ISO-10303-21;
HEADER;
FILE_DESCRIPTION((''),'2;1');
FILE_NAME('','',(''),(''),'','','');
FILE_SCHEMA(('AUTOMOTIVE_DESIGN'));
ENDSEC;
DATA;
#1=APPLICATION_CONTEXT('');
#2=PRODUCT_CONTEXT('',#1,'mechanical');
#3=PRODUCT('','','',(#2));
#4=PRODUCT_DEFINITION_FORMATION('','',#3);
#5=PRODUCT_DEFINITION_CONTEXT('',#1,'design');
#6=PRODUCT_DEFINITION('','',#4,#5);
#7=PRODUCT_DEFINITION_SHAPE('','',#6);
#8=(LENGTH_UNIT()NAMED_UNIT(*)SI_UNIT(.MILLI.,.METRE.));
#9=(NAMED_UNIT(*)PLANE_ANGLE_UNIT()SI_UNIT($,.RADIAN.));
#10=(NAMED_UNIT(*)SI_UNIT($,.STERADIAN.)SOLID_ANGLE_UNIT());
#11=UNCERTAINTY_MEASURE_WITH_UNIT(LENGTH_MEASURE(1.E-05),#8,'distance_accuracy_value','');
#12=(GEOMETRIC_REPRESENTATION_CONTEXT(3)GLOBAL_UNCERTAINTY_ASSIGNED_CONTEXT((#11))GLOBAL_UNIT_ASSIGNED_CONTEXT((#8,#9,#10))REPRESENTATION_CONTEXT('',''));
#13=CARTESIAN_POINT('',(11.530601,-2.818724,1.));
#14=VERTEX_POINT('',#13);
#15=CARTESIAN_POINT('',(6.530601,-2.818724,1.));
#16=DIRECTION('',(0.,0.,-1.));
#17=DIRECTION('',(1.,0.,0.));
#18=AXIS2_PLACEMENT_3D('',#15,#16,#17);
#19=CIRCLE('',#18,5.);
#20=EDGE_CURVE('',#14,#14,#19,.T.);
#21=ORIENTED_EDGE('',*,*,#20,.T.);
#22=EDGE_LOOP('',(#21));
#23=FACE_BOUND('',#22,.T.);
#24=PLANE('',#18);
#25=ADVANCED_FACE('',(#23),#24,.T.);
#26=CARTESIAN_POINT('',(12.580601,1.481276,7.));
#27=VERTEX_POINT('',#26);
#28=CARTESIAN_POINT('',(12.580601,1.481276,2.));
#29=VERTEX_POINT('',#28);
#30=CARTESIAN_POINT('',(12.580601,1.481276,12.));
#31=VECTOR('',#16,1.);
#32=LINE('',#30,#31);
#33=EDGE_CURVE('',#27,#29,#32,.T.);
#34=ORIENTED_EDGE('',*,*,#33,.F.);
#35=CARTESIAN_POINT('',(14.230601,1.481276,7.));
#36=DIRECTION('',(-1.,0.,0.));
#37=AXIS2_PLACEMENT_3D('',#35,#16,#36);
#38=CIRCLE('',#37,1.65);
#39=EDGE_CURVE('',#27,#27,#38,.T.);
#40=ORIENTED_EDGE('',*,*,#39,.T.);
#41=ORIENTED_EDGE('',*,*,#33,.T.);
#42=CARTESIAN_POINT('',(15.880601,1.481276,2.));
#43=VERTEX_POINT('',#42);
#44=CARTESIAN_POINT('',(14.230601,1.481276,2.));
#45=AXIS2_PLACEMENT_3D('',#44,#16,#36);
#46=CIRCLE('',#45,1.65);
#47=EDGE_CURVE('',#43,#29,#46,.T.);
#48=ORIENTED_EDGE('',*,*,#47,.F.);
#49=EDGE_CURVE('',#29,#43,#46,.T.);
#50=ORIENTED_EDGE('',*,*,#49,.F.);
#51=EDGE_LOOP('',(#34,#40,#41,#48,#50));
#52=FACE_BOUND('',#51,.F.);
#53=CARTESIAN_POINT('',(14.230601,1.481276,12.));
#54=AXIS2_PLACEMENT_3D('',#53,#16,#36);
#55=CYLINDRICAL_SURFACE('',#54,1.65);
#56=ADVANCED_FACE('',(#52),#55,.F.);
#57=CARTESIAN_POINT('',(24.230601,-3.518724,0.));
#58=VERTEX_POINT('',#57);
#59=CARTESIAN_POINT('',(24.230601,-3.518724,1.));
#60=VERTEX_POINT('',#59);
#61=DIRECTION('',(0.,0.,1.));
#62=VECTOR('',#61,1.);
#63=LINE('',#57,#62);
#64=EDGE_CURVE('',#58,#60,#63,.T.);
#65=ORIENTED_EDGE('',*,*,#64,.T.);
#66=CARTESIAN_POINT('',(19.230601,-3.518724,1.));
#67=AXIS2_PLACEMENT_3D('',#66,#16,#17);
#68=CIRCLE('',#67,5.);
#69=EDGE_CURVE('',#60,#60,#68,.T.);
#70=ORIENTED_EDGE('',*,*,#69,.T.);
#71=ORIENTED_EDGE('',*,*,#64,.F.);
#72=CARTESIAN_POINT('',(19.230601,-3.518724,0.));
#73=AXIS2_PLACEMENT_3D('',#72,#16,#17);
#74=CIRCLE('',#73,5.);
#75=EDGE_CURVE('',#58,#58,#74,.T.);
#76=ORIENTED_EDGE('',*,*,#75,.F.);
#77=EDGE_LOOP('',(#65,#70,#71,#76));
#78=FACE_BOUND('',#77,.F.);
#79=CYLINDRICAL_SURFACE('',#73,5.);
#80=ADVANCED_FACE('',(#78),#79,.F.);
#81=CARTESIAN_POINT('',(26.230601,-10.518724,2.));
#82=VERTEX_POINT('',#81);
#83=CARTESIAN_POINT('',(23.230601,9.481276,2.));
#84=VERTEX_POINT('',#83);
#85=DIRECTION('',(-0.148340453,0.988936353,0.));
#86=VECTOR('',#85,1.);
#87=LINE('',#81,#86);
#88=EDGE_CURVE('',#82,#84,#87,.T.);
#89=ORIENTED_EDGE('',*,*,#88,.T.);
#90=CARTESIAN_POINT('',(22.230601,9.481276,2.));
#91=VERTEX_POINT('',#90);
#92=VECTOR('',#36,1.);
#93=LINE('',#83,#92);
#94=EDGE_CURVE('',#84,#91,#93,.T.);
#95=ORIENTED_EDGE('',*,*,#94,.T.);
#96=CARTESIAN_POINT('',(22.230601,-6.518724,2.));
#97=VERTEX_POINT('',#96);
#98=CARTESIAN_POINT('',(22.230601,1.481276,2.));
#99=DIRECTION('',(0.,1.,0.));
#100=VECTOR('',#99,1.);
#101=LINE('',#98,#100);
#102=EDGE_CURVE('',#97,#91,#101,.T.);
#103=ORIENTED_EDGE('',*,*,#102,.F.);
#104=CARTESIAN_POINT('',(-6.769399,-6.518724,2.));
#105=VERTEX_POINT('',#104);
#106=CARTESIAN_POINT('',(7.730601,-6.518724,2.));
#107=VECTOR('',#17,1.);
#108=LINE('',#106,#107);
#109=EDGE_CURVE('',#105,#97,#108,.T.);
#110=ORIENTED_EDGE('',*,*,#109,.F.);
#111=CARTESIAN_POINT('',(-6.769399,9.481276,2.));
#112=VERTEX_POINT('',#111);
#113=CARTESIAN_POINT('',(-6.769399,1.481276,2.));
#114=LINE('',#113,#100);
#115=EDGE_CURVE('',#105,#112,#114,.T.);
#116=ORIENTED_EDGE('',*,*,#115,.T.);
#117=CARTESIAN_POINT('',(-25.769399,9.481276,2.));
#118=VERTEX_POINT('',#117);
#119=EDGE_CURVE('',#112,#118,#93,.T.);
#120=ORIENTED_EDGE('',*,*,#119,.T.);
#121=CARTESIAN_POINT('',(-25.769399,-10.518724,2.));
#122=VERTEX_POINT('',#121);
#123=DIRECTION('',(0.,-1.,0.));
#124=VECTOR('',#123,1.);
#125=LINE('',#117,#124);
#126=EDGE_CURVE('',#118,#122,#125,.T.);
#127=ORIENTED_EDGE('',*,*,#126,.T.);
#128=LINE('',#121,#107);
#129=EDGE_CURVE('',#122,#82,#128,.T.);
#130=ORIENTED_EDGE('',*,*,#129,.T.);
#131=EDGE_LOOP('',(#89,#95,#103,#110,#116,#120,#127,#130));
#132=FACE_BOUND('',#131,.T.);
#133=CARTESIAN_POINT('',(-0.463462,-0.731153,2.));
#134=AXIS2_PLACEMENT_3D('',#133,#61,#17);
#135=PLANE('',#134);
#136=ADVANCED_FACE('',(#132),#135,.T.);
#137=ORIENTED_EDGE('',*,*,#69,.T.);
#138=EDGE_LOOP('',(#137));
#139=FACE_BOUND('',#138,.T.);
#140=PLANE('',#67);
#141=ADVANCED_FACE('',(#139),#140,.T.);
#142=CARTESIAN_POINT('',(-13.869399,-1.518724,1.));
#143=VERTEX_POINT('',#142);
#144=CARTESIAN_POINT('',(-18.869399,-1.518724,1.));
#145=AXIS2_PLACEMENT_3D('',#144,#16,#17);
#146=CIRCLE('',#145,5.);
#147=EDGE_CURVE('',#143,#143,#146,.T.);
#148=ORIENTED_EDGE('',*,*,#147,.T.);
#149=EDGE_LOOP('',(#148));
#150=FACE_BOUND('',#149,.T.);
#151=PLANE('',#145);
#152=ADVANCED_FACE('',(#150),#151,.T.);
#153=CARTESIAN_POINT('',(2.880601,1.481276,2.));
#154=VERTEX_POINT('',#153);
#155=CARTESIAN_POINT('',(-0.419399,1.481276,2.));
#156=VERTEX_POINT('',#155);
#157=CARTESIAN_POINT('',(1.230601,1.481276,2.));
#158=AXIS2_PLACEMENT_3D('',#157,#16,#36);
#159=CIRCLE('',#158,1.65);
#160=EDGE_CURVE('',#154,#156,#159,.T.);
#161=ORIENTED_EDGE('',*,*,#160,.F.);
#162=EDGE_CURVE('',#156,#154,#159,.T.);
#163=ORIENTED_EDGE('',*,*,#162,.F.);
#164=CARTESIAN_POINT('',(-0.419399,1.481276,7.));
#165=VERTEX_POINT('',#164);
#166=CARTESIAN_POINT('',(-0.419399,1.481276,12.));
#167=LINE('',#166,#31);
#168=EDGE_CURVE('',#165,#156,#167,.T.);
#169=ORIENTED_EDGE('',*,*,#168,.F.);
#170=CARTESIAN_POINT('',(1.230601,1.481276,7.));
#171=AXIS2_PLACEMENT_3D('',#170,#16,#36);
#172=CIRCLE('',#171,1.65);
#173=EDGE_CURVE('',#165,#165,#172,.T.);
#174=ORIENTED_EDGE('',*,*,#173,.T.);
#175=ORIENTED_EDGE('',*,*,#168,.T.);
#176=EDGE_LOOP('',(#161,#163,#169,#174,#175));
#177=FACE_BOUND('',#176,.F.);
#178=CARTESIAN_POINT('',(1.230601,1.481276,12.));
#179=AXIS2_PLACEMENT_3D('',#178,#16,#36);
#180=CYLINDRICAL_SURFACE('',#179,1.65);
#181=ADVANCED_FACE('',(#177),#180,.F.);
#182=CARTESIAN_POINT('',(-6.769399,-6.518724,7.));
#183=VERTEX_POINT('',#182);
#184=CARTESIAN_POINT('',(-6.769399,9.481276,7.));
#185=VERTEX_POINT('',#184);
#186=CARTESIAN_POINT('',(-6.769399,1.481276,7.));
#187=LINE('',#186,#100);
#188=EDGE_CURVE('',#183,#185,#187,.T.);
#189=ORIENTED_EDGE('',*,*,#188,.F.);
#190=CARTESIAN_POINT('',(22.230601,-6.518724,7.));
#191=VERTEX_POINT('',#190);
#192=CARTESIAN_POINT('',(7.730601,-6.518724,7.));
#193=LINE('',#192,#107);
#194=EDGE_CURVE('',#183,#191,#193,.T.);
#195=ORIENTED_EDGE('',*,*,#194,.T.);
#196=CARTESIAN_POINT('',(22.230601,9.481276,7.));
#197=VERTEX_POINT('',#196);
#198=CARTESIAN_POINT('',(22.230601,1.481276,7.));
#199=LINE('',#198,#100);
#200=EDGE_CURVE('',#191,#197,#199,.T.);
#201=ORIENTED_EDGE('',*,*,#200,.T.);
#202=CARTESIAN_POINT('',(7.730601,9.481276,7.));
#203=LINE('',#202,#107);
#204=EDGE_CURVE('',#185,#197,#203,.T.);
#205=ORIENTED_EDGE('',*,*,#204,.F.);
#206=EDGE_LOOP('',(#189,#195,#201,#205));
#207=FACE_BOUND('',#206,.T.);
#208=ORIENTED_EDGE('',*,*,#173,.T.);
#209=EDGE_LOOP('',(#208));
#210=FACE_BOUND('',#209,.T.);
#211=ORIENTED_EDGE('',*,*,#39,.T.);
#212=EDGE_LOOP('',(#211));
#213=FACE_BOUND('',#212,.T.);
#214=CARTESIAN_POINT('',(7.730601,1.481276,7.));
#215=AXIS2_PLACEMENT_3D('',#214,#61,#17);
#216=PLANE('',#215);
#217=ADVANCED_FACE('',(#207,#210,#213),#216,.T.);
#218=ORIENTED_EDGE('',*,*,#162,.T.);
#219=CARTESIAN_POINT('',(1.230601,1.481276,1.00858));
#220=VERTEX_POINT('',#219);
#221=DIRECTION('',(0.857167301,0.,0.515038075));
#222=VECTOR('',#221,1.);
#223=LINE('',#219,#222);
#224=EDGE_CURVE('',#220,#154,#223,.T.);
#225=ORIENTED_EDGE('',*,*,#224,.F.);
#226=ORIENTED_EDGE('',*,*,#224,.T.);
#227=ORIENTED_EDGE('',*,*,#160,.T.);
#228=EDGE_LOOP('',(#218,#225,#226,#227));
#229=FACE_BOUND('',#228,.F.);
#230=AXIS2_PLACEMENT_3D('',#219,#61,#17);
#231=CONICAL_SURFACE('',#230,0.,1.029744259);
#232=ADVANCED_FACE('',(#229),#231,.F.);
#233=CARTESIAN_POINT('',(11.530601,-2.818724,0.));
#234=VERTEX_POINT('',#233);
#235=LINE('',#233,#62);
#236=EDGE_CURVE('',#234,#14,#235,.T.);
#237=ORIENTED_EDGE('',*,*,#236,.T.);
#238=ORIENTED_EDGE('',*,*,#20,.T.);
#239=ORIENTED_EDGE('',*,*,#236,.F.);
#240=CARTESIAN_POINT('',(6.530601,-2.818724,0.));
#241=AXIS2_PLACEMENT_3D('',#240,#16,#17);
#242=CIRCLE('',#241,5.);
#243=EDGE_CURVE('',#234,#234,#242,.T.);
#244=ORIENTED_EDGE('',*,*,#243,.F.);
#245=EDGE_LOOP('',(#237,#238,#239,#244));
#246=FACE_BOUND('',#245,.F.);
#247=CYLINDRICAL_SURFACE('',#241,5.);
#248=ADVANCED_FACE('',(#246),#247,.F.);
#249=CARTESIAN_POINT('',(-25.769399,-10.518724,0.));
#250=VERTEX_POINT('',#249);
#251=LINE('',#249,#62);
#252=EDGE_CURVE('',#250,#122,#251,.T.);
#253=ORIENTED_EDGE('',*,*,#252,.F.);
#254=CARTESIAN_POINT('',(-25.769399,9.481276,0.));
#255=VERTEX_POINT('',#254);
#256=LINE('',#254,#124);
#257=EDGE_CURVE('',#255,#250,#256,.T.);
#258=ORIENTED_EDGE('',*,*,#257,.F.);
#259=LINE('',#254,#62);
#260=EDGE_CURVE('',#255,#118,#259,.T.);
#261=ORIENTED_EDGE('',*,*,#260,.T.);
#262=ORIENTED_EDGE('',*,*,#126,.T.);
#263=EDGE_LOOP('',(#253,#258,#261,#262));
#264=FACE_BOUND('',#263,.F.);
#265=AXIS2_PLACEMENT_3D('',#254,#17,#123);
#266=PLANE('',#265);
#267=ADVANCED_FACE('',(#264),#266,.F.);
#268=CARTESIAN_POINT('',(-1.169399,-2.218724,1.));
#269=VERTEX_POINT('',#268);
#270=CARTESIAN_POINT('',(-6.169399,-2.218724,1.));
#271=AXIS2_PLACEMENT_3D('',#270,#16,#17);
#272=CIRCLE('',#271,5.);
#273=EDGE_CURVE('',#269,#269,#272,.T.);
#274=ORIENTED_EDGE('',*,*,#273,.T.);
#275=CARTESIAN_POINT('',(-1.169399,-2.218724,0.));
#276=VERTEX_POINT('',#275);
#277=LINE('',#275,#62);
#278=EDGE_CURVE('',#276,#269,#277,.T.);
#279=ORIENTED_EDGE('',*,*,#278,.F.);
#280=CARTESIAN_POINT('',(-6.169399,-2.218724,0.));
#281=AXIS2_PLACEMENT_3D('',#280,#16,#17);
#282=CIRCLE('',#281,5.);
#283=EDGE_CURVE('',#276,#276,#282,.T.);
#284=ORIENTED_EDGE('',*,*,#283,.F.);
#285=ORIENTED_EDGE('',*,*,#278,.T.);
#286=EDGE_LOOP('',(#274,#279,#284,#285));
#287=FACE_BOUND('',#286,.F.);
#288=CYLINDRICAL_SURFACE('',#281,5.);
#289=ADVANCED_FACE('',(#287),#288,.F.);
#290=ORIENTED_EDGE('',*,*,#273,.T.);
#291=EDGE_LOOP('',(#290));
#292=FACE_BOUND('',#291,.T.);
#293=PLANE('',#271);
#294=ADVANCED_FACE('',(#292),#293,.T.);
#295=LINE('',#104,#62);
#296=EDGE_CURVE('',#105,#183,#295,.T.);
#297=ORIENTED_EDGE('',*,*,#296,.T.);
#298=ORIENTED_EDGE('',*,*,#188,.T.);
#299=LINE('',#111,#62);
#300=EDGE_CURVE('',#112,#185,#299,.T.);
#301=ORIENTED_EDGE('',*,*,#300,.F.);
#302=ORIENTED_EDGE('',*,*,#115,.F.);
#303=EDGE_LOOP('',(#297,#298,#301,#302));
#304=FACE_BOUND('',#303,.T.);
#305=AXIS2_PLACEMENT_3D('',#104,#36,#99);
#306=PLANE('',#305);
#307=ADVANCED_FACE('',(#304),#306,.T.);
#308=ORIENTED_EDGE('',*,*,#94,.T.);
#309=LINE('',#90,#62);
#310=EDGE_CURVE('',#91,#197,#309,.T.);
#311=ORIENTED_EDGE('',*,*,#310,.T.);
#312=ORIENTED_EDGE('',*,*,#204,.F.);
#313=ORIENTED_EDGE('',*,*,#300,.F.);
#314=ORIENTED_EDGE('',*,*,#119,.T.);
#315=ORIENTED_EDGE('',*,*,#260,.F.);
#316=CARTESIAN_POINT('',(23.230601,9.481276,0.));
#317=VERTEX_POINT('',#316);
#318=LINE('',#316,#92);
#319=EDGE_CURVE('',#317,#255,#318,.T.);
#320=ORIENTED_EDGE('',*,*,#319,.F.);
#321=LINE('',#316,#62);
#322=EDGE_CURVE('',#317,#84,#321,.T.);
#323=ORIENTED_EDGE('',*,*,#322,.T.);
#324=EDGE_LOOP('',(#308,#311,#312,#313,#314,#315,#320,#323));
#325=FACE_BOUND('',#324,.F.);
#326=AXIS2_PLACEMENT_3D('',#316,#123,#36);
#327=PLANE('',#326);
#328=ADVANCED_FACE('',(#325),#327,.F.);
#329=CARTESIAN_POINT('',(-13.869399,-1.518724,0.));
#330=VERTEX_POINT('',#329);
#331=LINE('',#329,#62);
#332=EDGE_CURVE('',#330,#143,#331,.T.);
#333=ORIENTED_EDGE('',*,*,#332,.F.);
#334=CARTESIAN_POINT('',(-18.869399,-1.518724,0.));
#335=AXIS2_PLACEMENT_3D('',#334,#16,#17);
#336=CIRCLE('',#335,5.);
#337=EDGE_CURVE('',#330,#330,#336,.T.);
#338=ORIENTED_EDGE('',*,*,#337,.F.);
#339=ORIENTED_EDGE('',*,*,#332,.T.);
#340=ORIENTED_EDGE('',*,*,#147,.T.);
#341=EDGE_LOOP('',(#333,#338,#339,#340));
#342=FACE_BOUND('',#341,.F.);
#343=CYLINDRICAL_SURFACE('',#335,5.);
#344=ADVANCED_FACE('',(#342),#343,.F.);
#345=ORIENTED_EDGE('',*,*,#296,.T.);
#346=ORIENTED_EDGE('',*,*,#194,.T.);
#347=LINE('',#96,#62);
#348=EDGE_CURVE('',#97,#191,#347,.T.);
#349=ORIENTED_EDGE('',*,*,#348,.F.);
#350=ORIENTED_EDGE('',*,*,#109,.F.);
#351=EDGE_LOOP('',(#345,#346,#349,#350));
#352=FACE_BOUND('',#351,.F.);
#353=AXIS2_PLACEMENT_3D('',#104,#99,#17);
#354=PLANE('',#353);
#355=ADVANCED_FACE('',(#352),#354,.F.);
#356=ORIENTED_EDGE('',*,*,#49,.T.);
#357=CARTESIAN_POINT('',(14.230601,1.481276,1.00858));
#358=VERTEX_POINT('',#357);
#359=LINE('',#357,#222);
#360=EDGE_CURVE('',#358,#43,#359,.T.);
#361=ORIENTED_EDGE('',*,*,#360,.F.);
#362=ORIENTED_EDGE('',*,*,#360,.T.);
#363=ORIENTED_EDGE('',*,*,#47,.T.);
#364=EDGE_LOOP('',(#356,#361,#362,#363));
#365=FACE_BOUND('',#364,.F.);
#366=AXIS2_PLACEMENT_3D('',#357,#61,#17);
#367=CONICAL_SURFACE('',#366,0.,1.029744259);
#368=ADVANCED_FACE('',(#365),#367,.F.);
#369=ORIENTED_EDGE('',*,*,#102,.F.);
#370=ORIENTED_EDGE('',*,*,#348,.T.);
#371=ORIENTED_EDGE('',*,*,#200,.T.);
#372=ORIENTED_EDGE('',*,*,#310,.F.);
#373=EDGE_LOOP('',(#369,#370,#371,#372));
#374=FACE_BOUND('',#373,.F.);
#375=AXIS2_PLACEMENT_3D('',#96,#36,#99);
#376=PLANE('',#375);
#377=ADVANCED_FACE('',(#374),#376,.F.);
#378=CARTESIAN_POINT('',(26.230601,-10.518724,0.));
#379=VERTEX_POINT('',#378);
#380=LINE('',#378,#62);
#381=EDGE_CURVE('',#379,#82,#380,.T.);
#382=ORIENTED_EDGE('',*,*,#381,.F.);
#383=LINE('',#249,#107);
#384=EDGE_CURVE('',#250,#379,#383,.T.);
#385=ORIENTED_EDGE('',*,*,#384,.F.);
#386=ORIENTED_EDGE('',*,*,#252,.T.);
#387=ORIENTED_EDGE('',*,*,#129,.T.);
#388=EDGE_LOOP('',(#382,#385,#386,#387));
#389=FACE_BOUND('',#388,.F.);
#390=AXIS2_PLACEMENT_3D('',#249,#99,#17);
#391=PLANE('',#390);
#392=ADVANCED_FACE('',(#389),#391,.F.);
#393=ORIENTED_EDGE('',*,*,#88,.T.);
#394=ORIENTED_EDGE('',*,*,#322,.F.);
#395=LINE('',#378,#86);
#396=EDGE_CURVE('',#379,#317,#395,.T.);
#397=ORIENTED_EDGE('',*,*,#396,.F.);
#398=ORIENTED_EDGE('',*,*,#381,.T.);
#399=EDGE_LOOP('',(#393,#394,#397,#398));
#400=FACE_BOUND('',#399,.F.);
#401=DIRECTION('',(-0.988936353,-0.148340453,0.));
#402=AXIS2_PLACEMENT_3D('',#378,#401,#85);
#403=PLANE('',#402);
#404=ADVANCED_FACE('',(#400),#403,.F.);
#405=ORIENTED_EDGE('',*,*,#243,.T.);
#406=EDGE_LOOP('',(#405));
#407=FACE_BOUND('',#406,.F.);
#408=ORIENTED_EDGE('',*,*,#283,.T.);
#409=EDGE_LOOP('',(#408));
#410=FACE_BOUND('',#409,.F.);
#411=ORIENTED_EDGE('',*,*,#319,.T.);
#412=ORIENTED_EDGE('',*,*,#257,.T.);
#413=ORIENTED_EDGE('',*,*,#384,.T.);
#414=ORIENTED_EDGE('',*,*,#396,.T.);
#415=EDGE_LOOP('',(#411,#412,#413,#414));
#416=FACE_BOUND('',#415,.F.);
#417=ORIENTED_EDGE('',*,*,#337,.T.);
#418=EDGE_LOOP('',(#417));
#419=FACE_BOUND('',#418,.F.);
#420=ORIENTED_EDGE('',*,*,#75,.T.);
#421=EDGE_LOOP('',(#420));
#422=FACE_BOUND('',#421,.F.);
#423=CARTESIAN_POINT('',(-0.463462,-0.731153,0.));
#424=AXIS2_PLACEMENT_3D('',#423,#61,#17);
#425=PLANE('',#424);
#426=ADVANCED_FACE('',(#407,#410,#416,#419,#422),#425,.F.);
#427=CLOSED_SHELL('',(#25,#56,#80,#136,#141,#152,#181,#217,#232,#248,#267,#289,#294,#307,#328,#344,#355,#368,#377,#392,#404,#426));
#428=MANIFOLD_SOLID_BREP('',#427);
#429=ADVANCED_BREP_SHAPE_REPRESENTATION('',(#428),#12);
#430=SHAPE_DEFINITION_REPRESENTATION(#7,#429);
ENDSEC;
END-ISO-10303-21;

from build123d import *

# Parameters (mm, degrees)
F1_DEPTH = 2
F2_R     = 5
F3_DEPTH = 1
F4_W     = 29
F4_H     = 16
F5_DEPTH = 5
F7_D     = 3.3
F7_DEPTH = 5
F7_TIP   = 0.9914200214


with BuildPart() as f1:
    # F0 (on Top) → F1 (new body)
    with BuildSketch(Plane.XY):
        Polygon((23.2306010574, 9.4812756346), (-25.7693989426, 9.4812756346), (-25.7693989426, -10.5187243654), (26.2306010574, -10.5187243654), align=None)
    extrude(amount=F1_DEPTH)

    # F2 (on face) → F3 (cut)
    with BuildSketch(Plane(origin=(0, 0, 0), x_dir=(1, 0, 0), z_dir=(0, 0, -1))):
        with Locations((19.2306010574, 3.5187243654)):
            Circle(F2_R)
        with Locations((6.5306010574, 2.8187243654)):
            Circle(F2_R)
        with Locations((-6.1693989426, 2.2187243654)):
            Circle(F2_R)
        with Locations((-18.8693989426, 1.5187243654)):
            Circle(F2_R)
    extrude(amount=-F3_DEPTH, mode=Mode.SUBTRACT)

    # F4 (on face) → F5 (join)
    with BuildSketch(Plane.XY.offset(2)):
        with Locations((7.7306010574, 1.4812756346)):
            Rectangle(F4_W, F4_H)
    extrude(amount=F5_DEPTH)

    # F7
    with Locations(Plane.XY.offset(7)):
        with Locations((1.2306010574, 1.4812756346), (14.2306010574, 1.4812756346)):
            Hole(F7_D / 2, depth=F7_DEPTH)
            with Locations((0, 0, -(F7_DEPTH + F7_TIP / 2))):  # 118° drill point
                Cone(0, F7_D / 2, F7_TIP, mode=Mode.SUBTRACT)


solid = f1.part
